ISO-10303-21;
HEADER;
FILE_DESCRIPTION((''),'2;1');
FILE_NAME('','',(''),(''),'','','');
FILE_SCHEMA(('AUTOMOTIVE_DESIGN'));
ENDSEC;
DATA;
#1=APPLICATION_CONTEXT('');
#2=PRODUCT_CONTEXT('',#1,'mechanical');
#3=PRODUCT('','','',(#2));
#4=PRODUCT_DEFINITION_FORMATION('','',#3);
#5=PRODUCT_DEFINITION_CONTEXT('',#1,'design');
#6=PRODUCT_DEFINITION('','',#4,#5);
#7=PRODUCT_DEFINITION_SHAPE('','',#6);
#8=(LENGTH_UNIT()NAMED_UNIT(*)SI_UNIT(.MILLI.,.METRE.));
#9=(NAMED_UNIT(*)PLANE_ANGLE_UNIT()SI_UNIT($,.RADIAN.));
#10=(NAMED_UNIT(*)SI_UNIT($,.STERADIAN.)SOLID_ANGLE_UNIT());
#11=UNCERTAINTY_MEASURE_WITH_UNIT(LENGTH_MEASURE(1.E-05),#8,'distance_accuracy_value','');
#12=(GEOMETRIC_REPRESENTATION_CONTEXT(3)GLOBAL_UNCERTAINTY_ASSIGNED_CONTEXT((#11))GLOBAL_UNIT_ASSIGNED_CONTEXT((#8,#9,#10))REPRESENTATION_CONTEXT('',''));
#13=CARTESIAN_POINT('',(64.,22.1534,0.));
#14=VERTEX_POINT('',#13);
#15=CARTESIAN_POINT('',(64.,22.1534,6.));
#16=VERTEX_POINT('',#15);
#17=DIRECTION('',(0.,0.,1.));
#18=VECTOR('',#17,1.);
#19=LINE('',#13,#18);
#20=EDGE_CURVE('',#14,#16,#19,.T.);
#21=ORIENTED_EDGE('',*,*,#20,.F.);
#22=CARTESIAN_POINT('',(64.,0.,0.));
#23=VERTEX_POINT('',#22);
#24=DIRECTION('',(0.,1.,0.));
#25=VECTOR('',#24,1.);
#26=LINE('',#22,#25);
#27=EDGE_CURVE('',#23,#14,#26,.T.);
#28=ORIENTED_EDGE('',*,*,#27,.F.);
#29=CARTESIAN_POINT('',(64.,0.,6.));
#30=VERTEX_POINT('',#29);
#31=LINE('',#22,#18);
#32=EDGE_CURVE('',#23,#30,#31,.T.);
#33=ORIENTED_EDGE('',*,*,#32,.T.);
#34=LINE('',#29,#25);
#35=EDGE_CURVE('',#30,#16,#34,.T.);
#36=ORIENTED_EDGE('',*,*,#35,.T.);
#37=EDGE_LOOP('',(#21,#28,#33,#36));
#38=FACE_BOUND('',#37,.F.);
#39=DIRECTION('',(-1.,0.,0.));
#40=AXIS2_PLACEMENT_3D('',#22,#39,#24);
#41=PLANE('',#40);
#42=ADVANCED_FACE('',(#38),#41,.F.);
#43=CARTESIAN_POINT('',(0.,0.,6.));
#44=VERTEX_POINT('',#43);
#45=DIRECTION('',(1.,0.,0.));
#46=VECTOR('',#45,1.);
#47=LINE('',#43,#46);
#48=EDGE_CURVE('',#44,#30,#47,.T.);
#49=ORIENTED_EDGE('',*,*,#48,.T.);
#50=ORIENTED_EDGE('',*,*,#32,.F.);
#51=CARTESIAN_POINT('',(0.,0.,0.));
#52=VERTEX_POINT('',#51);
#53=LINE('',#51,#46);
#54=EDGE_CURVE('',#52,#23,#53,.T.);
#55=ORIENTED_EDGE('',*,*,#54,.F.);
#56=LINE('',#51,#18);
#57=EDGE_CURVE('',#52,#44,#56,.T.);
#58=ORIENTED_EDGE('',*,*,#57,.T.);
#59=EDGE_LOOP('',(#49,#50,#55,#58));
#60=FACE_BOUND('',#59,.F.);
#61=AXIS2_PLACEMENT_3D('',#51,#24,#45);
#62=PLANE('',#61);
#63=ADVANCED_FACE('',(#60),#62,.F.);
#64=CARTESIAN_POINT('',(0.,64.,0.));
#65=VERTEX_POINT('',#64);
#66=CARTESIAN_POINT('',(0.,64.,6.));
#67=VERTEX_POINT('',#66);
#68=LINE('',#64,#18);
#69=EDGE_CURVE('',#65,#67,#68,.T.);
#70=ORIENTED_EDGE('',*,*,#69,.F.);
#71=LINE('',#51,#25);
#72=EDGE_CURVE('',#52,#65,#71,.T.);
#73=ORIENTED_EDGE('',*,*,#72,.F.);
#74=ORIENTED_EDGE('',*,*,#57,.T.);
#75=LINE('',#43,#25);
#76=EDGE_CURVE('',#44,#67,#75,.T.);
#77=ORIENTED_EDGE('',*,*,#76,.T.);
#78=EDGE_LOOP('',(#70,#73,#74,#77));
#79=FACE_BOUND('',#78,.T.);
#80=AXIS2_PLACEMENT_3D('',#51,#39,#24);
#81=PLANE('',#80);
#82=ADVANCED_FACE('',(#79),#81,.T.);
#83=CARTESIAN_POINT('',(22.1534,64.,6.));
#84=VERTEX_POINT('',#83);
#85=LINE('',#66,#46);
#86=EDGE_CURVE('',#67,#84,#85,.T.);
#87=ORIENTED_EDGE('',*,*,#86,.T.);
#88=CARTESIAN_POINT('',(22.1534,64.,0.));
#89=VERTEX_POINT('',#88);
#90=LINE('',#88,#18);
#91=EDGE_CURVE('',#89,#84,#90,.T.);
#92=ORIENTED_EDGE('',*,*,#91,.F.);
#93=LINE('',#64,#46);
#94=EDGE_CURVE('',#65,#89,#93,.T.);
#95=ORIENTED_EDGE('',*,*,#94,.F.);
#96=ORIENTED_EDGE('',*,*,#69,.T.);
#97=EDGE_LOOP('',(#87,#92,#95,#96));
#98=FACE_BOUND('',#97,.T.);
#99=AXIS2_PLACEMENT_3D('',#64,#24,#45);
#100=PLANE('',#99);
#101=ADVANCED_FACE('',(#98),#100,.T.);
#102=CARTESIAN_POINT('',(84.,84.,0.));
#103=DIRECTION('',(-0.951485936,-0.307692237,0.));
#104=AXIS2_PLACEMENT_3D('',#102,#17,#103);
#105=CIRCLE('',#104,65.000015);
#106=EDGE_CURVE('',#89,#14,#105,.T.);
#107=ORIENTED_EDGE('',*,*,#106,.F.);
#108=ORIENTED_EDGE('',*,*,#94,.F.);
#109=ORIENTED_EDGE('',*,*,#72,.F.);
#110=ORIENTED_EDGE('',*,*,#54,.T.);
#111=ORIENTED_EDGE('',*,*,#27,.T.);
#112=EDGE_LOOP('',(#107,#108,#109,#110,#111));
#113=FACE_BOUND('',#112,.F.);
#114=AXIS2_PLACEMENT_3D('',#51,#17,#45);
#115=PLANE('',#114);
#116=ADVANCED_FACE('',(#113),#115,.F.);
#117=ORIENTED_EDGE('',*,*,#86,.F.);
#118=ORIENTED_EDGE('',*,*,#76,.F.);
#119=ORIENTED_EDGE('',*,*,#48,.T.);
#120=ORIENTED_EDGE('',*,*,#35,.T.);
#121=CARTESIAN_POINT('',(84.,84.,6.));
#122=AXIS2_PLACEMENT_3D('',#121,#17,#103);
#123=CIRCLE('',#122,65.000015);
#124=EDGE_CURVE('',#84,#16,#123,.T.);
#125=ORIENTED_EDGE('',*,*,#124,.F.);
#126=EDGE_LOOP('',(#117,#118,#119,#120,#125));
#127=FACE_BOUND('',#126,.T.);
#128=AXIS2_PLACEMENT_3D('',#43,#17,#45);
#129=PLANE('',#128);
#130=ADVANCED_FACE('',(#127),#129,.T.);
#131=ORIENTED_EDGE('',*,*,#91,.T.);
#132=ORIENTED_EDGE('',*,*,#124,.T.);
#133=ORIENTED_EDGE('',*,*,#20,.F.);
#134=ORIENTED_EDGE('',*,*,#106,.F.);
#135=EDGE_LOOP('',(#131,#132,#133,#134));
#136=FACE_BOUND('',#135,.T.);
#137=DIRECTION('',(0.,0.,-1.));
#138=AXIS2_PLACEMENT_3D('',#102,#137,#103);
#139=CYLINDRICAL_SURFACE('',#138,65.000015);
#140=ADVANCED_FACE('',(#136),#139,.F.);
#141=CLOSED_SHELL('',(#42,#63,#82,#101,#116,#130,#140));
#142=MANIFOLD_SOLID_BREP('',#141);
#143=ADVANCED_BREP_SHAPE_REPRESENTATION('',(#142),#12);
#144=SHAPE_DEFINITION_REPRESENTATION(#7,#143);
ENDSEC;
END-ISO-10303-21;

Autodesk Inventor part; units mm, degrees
ref_plane "YZ Plane" through (0, 0, 0) normal (1, 0, 0) x (0, 1, 0)
ref_plane "XZ Plane" through (0, 0, 0) normal (0, 1, 0) x (-1, 0, 0)
ref_plane "XY Plane" through (0, 0, 0) normal (0, 0, 1) x (1, 0, 0)
sketch "Szkic1" plane through (0, 0, 0) normal (0, 0, 1) x (1, 0, 0)
  line L0 (0, 0) -> (64, 0) construction
  line L1 (64, 0) -> (64, 64) construction
  line L2 (64, 64) -> (0, 64) construction
  line L3 (0, 64) -> (0, 0) construction
  line L4 (0, 0) -> (168, 0) construction
  line L5 (168, 0) -> (168, 168) construction
  line L6 (168, 168) -> (0, 168) construction
  line L7 (0, 168) -> (0, 0) construction
  line L8 (84, 168) -> (84, 0) construction
  circle A0 centre (84, 84) radius 65 construction
  line L9 (0, 0) -> (64, 0)
  line L10 (64, 0) -> (64, 22.1534)
  line L11 (0, 0) -> (0, 64)
  line L12 (0, 64) -> (22.1534, 64)
  arc A1 (22.1534, 64) -> (64, 22.1534) centre (84, 84) ccw
  dimension "d7" = 64
  dimension "d8" = 64
  dimension "d9" = 168
  dimension "d10" = 168
  dimension "d11" = 130
  dimension "d12" = 64
  dimension "d13" = 64
extrude "Wyciągnięcie proste1" add sketch "Szkic1" along normal blind 6
equation "\"d7\" = d8"
properties part number "Naroznik_54x54"
